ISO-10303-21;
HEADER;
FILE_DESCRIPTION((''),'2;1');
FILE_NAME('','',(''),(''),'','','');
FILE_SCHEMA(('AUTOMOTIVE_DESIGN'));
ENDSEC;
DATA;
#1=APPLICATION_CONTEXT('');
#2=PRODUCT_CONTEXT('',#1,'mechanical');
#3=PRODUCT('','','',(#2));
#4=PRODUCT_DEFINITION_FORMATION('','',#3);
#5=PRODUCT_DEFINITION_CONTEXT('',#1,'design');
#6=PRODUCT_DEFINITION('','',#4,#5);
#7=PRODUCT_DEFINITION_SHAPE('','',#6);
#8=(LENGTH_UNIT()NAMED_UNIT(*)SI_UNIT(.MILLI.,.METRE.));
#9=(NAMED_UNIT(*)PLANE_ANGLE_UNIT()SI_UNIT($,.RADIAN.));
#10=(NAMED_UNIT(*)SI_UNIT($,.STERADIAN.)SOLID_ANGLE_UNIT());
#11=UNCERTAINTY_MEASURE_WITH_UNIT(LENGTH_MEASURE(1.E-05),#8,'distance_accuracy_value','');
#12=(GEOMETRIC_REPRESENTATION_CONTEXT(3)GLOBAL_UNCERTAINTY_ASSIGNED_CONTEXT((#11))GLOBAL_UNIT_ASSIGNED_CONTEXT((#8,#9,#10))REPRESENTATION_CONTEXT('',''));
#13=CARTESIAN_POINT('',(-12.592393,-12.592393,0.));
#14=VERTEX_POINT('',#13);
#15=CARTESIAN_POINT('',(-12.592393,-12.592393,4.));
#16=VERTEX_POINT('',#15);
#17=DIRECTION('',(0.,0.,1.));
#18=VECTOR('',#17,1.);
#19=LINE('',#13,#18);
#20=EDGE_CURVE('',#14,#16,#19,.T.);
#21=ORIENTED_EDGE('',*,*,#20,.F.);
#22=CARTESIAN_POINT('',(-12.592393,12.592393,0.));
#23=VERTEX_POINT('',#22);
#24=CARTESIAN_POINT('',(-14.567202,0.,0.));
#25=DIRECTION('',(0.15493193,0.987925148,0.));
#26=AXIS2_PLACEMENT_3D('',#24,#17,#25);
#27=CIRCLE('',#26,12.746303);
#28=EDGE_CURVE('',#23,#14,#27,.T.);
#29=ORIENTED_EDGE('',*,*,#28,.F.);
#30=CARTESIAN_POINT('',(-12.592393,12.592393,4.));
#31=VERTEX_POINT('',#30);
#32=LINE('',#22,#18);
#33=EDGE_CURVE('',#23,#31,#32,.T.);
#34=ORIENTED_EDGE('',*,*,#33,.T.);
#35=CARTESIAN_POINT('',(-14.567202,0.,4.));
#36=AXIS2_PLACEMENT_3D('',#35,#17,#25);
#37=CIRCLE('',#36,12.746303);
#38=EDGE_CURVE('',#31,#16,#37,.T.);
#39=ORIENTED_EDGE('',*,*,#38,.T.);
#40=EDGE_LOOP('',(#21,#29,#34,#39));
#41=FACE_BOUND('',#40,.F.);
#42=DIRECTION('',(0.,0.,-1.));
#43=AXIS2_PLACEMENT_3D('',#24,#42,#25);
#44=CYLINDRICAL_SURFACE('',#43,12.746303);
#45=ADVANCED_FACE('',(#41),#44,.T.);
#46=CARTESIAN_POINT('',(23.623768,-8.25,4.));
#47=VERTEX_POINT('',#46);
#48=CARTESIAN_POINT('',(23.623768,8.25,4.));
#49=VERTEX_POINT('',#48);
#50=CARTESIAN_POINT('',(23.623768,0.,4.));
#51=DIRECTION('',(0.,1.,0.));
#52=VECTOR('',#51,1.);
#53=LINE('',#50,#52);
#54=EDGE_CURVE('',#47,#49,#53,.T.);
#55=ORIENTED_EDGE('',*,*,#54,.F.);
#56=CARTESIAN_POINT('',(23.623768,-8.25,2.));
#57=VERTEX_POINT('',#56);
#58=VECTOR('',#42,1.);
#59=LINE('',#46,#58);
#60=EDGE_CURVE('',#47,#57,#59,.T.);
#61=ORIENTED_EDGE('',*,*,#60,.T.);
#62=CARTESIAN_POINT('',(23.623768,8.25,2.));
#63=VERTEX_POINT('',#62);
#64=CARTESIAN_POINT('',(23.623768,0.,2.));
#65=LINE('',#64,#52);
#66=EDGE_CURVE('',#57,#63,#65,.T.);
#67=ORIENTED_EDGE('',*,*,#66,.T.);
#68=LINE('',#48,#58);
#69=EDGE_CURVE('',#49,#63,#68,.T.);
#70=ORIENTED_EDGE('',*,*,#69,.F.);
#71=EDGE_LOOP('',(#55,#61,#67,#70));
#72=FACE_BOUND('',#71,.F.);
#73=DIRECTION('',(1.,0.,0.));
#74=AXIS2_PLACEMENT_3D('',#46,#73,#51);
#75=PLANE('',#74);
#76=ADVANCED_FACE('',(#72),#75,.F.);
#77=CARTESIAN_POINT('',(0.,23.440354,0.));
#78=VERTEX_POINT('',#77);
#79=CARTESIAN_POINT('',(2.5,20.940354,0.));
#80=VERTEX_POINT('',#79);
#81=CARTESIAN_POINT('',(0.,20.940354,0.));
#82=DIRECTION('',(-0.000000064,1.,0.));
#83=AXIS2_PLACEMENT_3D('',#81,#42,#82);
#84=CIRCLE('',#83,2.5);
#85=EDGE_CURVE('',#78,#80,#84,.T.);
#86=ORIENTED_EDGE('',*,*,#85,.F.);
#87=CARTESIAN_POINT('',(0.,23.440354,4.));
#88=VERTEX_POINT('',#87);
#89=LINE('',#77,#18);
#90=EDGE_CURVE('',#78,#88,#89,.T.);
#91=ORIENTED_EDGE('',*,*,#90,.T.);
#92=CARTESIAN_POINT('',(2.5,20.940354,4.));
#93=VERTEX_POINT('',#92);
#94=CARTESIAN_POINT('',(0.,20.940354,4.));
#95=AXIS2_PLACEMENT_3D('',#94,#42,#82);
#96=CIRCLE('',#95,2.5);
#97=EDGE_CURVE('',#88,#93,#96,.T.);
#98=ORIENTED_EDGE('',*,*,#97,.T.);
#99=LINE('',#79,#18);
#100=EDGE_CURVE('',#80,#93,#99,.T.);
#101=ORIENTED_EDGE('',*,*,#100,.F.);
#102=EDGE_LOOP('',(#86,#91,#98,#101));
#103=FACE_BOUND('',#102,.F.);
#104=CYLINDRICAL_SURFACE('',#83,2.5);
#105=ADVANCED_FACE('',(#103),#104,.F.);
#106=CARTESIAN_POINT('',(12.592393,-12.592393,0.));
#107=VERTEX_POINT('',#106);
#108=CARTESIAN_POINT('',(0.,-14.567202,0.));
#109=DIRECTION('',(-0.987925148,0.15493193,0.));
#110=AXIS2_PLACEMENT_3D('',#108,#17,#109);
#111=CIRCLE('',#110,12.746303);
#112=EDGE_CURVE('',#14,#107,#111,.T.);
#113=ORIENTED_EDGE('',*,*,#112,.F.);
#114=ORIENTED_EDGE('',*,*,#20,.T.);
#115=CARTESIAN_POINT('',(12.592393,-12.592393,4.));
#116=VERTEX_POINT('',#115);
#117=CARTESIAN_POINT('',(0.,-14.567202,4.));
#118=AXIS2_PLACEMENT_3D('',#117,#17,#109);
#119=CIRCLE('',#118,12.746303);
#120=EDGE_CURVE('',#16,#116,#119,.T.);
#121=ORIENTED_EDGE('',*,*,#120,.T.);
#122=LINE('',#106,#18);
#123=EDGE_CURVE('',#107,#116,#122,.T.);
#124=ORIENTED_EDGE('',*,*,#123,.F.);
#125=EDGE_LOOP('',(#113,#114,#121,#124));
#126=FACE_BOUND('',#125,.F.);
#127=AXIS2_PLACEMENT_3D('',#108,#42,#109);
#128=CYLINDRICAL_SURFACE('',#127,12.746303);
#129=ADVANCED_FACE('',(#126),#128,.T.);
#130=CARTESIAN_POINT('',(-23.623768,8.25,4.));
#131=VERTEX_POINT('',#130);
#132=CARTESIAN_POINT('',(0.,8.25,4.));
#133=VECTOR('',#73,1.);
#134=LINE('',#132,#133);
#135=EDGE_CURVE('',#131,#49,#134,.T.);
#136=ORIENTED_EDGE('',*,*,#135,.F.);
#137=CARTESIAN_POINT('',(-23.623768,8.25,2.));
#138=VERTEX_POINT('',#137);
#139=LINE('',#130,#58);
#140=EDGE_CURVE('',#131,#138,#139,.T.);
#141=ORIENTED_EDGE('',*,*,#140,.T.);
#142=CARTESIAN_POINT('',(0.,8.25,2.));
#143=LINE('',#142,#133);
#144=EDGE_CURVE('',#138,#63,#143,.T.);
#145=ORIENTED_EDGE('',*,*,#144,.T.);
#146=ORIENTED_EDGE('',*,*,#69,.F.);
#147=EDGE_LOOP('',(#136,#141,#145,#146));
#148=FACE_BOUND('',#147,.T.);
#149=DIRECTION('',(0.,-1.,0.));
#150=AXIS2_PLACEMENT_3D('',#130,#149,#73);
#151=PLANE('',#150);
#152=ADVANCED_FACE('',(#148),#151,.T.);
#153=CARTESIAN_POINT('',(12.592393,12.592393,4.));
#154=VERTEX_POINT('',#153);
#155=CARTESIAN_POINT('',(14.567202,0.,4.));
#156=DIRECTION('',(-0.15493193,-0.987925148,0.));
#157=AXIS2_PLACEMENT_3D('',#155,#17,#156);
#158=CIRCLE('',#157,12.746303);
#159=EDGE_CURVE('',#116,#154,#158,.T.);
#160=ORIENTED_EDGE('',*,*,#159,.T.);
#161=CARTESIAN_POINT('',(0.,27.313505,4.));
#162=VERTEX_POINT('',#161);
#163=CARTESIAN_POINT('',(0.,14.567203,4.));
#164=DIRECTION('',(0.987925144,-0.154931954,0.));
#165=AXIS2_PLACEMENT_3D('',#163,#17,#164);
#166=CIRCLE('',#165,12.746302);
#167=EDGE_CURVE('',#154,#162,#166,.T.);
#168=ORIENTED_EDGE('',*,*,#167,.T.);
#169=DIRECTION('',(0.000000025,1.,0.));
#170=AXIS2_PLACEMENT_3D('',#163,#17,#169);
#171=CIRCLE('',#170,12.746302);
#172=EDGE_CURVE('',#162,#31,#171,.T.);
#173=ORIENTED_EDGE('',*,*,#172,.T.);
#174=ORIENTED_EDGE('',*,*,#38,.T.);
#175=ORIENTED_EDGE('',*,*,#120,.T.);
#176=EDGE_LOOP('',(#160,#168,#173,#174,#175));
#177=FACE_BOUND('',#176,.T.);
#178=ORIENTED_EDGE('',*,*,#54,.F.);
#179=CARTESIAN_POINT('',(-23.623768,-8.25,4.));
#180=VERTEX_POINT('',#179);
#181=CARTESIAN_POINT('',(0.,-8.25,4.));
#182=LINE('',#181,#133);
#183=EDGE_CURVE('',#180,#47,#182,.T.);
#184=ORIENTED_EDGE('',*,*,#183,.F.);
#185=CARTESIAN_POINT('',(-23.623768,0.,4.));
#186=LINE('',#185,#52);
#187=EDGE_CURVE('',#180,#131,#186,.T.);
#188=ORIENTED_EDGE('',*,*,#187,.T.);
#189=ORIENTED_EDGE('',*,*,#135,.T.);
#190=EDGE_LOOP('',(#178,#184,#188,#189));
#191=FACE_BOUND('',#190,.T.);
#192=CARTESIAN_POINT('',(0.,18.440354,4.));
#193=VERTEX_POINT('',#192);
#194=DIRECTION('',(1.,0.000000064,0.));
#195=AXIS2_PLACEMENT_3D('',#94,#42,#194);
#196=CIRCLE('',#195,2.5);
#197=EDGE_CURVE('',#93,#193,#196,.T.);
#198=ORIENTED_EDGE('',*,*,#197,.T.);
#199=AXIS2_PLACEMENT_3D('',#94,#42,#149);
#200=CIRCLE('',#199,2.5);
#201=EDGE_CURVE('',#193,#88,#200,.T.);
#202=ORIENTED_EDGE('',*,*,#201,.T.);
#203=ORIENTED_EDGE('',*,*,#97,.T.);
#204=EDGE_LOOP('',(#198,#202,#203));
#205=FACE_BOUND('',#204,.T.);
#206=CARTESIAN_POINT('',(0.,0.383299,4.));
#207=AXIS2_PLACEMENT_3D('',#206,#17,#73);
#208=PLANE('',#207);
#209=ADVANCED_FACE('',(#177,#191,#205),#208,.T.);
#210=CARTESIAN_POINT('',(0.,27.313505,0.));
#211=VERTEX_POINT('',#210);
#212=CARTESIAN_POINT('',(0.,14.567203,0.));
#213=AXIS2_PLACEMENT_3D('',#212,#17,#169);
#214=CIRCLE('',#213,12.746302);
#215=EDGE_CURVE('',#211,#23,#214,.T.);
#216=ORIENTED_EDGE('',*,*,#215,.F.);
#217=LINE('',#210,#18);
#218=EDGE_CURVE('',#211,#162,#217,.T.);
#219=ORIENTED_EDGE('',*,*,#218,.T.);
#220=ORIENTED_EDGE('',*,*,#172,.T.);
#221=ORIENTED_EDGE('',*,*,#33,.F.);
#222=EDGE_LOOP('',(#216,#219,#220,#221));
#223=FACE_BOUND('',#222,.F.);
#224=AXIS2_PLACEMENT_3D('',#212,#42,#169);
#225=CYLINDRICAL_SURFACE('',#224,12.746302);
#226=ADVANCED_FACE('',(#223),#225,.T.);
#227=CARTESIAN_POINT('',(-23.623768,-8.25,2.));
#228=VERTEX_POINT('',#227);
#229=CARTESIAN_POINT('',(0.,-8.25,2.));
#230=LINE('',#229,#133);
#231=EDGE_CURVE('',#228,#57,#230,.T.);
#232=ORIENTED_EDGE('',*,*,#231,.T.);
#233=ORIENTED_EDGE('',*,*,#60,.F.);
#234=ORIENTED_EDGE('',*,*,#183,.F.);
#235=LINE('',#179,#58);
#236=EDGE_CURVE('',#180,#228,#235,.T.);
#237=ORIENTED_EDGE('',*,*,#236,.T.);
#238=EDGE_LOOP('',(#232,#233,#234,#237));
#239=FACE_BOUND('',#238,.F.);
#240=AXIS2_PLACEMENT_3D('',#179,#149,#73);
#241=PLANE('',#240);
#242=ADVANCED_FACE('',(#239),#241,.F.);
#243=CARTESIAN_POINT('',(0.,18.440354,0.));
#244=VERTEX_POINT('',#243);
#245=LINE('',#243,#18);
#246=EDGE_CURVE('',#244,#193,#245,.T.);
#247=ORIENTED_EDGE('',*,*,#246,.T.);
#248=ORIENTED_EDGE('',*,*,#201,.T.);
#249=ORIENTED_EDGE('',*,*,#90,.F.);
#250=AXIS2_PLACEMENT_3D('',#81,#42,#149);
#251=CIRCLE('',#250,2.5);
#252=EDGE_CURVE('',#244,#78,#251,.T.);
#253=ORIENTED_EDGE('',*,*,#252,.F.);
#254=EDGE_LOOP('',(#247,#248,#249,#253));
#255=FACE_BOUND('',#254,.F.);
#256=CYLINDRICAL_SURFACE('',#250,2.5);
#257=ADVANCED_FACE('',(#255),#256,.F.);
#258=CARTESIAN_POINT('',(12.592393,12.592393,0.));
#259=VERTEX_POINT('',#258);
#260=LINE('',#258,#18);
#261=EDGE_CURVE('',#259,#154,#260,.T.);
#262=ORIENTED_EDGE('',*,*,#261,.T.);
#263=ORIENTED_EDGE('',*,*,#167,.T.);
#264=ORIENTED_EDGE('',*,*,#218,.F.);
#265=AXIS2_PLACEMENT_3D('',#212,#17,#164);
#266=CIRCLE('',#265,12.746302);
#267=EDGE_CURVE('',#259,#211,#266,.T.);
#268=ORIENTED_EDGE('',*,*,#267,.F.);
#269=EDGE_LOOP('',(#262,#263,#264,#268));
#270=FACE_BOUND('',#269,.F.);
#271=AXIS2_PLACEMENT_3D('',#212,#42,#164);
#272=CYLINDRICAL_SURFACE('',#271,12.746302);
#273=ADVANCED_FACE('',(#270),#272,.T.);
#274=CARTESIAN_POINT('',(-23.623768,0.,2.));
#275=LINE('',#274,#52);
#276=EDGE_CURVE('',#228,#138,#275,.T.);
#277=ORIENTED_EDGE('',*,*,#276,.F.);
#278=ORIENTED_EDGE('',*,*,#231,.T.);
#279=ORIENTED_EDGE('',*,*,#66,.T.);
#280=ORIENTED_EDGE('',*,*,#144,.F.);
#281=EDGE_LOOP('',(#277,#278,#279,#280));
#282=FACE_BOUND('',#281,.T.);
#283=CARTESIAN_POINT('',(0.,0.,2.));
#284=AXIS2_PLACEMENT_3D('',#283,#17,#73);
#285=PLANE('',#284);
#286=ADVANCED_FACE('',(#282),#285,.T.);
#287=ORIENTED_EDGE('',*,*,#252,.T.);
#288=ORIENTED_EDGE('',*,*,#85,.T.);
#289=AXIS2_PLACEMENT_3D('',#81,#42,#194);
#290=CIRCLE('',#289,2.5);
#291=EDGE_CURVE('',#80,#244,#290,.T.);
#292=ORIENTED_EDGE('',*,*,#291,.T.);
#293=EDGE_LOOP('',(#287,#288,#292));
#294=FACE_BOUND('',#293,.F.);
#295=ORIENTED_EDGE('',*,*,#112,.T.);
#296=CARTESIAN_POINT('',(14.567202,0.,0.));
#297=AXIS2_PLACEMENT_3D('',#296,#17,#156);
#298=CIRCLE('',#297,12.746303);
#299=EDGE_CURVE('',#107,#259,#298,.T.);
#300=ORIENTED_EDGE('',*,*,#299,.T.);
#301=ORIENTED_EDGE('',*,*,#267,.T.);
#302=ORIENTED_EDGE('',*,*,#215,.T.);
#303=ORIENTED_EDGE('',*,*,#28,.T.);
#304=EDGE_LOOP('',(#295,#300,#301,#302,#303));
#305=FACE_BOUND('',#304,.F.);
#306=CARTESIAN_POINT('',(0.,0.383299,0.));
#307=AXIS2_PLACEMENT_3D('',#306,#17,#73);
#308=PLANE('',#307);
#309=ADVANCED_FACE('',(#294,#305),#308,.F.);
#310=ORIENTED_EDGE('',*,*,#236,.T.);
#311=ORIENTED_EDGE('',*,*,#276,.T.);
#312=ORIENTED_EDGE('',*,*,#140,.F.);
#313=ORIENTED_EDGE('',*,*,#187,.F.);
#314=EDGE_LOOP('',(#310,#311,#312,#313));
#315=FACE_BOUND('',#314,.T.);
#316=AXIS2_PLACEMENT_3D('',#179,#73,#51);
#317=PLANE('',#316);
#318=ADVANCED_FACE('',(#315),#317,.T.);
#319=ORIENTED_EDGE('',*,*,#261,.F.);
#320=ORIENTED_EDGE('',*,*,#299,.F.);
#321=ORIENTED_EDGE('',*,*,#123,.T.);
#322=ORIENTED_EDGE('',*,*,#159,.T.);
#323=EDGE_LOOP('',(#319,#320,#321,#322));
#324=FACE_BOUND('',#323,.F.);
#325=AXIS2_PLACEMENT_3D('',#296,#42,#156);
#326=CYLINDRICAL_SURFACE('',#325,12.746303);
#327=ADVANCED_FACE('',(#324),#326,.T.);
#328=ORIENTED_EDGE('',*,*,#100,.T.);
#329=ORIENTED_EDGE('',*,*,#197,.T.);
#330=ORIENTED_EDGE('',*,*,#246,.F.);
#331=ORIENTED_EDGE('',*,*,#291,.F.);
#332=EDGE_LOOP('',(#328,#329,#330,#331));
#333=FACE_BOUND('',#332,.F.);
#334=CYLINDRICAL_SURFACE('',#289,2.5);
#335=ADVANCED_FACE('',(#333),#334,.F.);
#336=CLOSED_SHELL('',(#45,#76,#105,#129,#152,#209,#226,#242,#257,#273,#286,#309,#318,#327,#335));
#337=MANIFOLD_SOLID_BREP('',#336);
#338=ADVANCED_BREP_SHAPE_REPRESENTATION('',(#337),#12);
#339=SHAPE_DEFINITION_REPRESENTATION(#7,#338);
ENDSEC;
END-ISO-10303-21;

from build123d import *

# Parameters (mm, degrees)
F1_DEPTH = 4
F2_W     = 47.247536
F2_H     = 16.5
F3_DEPTH = 2


with BuildPart() as f1:
    # F0 (on Top) → F1 (new body)
    with BuildSketch(Plane.XY):
        with BuildLine():
            ThreePointArc((0, 27.313505), (-9.686066, 22.852633), (-12.592393, 12.592393))
            ThreePointArc((-12.592393, 12.592393), (-27.313505, 0), (-12.592393, -12.592393))
            ThreePointArc((-12.592393, -12.592393), (0, -27.313505), (12.592393, -12.592393))
            ThreePointArc((12.592393, -12.592393), (27.313505, 0), (12.592393, 12.592393))
            ThreePointArc((12.592393, 12.592393), (9.686066, 22.852633), (0, 27.313505))
        make_face()
        with BuildLine():
            ThreePointArc((0, 18.440354), (-2.5, 20.940354), (0, 23.440354))
            ThreePointArc((0, 23.440354), (1.767767, 22.708121), (2.5, 20.940354))
            ThreePointArc((2.5, 20.940354), (1.767767, 19.172587), (0, 18.440354))
        make_face(mode=Mode.SUBTRACT)
    extrude(amount=F1_DEPTH)

    # F2 (on face) → F3 (cut)
    with BuildSketch(Plane.XY.offset(4)):
        Rectangle(F2_W, F2_H)
    extrude(amount=-F3_DEPTH, mode=Mode.SUBTRACT)


solid = f1.part
